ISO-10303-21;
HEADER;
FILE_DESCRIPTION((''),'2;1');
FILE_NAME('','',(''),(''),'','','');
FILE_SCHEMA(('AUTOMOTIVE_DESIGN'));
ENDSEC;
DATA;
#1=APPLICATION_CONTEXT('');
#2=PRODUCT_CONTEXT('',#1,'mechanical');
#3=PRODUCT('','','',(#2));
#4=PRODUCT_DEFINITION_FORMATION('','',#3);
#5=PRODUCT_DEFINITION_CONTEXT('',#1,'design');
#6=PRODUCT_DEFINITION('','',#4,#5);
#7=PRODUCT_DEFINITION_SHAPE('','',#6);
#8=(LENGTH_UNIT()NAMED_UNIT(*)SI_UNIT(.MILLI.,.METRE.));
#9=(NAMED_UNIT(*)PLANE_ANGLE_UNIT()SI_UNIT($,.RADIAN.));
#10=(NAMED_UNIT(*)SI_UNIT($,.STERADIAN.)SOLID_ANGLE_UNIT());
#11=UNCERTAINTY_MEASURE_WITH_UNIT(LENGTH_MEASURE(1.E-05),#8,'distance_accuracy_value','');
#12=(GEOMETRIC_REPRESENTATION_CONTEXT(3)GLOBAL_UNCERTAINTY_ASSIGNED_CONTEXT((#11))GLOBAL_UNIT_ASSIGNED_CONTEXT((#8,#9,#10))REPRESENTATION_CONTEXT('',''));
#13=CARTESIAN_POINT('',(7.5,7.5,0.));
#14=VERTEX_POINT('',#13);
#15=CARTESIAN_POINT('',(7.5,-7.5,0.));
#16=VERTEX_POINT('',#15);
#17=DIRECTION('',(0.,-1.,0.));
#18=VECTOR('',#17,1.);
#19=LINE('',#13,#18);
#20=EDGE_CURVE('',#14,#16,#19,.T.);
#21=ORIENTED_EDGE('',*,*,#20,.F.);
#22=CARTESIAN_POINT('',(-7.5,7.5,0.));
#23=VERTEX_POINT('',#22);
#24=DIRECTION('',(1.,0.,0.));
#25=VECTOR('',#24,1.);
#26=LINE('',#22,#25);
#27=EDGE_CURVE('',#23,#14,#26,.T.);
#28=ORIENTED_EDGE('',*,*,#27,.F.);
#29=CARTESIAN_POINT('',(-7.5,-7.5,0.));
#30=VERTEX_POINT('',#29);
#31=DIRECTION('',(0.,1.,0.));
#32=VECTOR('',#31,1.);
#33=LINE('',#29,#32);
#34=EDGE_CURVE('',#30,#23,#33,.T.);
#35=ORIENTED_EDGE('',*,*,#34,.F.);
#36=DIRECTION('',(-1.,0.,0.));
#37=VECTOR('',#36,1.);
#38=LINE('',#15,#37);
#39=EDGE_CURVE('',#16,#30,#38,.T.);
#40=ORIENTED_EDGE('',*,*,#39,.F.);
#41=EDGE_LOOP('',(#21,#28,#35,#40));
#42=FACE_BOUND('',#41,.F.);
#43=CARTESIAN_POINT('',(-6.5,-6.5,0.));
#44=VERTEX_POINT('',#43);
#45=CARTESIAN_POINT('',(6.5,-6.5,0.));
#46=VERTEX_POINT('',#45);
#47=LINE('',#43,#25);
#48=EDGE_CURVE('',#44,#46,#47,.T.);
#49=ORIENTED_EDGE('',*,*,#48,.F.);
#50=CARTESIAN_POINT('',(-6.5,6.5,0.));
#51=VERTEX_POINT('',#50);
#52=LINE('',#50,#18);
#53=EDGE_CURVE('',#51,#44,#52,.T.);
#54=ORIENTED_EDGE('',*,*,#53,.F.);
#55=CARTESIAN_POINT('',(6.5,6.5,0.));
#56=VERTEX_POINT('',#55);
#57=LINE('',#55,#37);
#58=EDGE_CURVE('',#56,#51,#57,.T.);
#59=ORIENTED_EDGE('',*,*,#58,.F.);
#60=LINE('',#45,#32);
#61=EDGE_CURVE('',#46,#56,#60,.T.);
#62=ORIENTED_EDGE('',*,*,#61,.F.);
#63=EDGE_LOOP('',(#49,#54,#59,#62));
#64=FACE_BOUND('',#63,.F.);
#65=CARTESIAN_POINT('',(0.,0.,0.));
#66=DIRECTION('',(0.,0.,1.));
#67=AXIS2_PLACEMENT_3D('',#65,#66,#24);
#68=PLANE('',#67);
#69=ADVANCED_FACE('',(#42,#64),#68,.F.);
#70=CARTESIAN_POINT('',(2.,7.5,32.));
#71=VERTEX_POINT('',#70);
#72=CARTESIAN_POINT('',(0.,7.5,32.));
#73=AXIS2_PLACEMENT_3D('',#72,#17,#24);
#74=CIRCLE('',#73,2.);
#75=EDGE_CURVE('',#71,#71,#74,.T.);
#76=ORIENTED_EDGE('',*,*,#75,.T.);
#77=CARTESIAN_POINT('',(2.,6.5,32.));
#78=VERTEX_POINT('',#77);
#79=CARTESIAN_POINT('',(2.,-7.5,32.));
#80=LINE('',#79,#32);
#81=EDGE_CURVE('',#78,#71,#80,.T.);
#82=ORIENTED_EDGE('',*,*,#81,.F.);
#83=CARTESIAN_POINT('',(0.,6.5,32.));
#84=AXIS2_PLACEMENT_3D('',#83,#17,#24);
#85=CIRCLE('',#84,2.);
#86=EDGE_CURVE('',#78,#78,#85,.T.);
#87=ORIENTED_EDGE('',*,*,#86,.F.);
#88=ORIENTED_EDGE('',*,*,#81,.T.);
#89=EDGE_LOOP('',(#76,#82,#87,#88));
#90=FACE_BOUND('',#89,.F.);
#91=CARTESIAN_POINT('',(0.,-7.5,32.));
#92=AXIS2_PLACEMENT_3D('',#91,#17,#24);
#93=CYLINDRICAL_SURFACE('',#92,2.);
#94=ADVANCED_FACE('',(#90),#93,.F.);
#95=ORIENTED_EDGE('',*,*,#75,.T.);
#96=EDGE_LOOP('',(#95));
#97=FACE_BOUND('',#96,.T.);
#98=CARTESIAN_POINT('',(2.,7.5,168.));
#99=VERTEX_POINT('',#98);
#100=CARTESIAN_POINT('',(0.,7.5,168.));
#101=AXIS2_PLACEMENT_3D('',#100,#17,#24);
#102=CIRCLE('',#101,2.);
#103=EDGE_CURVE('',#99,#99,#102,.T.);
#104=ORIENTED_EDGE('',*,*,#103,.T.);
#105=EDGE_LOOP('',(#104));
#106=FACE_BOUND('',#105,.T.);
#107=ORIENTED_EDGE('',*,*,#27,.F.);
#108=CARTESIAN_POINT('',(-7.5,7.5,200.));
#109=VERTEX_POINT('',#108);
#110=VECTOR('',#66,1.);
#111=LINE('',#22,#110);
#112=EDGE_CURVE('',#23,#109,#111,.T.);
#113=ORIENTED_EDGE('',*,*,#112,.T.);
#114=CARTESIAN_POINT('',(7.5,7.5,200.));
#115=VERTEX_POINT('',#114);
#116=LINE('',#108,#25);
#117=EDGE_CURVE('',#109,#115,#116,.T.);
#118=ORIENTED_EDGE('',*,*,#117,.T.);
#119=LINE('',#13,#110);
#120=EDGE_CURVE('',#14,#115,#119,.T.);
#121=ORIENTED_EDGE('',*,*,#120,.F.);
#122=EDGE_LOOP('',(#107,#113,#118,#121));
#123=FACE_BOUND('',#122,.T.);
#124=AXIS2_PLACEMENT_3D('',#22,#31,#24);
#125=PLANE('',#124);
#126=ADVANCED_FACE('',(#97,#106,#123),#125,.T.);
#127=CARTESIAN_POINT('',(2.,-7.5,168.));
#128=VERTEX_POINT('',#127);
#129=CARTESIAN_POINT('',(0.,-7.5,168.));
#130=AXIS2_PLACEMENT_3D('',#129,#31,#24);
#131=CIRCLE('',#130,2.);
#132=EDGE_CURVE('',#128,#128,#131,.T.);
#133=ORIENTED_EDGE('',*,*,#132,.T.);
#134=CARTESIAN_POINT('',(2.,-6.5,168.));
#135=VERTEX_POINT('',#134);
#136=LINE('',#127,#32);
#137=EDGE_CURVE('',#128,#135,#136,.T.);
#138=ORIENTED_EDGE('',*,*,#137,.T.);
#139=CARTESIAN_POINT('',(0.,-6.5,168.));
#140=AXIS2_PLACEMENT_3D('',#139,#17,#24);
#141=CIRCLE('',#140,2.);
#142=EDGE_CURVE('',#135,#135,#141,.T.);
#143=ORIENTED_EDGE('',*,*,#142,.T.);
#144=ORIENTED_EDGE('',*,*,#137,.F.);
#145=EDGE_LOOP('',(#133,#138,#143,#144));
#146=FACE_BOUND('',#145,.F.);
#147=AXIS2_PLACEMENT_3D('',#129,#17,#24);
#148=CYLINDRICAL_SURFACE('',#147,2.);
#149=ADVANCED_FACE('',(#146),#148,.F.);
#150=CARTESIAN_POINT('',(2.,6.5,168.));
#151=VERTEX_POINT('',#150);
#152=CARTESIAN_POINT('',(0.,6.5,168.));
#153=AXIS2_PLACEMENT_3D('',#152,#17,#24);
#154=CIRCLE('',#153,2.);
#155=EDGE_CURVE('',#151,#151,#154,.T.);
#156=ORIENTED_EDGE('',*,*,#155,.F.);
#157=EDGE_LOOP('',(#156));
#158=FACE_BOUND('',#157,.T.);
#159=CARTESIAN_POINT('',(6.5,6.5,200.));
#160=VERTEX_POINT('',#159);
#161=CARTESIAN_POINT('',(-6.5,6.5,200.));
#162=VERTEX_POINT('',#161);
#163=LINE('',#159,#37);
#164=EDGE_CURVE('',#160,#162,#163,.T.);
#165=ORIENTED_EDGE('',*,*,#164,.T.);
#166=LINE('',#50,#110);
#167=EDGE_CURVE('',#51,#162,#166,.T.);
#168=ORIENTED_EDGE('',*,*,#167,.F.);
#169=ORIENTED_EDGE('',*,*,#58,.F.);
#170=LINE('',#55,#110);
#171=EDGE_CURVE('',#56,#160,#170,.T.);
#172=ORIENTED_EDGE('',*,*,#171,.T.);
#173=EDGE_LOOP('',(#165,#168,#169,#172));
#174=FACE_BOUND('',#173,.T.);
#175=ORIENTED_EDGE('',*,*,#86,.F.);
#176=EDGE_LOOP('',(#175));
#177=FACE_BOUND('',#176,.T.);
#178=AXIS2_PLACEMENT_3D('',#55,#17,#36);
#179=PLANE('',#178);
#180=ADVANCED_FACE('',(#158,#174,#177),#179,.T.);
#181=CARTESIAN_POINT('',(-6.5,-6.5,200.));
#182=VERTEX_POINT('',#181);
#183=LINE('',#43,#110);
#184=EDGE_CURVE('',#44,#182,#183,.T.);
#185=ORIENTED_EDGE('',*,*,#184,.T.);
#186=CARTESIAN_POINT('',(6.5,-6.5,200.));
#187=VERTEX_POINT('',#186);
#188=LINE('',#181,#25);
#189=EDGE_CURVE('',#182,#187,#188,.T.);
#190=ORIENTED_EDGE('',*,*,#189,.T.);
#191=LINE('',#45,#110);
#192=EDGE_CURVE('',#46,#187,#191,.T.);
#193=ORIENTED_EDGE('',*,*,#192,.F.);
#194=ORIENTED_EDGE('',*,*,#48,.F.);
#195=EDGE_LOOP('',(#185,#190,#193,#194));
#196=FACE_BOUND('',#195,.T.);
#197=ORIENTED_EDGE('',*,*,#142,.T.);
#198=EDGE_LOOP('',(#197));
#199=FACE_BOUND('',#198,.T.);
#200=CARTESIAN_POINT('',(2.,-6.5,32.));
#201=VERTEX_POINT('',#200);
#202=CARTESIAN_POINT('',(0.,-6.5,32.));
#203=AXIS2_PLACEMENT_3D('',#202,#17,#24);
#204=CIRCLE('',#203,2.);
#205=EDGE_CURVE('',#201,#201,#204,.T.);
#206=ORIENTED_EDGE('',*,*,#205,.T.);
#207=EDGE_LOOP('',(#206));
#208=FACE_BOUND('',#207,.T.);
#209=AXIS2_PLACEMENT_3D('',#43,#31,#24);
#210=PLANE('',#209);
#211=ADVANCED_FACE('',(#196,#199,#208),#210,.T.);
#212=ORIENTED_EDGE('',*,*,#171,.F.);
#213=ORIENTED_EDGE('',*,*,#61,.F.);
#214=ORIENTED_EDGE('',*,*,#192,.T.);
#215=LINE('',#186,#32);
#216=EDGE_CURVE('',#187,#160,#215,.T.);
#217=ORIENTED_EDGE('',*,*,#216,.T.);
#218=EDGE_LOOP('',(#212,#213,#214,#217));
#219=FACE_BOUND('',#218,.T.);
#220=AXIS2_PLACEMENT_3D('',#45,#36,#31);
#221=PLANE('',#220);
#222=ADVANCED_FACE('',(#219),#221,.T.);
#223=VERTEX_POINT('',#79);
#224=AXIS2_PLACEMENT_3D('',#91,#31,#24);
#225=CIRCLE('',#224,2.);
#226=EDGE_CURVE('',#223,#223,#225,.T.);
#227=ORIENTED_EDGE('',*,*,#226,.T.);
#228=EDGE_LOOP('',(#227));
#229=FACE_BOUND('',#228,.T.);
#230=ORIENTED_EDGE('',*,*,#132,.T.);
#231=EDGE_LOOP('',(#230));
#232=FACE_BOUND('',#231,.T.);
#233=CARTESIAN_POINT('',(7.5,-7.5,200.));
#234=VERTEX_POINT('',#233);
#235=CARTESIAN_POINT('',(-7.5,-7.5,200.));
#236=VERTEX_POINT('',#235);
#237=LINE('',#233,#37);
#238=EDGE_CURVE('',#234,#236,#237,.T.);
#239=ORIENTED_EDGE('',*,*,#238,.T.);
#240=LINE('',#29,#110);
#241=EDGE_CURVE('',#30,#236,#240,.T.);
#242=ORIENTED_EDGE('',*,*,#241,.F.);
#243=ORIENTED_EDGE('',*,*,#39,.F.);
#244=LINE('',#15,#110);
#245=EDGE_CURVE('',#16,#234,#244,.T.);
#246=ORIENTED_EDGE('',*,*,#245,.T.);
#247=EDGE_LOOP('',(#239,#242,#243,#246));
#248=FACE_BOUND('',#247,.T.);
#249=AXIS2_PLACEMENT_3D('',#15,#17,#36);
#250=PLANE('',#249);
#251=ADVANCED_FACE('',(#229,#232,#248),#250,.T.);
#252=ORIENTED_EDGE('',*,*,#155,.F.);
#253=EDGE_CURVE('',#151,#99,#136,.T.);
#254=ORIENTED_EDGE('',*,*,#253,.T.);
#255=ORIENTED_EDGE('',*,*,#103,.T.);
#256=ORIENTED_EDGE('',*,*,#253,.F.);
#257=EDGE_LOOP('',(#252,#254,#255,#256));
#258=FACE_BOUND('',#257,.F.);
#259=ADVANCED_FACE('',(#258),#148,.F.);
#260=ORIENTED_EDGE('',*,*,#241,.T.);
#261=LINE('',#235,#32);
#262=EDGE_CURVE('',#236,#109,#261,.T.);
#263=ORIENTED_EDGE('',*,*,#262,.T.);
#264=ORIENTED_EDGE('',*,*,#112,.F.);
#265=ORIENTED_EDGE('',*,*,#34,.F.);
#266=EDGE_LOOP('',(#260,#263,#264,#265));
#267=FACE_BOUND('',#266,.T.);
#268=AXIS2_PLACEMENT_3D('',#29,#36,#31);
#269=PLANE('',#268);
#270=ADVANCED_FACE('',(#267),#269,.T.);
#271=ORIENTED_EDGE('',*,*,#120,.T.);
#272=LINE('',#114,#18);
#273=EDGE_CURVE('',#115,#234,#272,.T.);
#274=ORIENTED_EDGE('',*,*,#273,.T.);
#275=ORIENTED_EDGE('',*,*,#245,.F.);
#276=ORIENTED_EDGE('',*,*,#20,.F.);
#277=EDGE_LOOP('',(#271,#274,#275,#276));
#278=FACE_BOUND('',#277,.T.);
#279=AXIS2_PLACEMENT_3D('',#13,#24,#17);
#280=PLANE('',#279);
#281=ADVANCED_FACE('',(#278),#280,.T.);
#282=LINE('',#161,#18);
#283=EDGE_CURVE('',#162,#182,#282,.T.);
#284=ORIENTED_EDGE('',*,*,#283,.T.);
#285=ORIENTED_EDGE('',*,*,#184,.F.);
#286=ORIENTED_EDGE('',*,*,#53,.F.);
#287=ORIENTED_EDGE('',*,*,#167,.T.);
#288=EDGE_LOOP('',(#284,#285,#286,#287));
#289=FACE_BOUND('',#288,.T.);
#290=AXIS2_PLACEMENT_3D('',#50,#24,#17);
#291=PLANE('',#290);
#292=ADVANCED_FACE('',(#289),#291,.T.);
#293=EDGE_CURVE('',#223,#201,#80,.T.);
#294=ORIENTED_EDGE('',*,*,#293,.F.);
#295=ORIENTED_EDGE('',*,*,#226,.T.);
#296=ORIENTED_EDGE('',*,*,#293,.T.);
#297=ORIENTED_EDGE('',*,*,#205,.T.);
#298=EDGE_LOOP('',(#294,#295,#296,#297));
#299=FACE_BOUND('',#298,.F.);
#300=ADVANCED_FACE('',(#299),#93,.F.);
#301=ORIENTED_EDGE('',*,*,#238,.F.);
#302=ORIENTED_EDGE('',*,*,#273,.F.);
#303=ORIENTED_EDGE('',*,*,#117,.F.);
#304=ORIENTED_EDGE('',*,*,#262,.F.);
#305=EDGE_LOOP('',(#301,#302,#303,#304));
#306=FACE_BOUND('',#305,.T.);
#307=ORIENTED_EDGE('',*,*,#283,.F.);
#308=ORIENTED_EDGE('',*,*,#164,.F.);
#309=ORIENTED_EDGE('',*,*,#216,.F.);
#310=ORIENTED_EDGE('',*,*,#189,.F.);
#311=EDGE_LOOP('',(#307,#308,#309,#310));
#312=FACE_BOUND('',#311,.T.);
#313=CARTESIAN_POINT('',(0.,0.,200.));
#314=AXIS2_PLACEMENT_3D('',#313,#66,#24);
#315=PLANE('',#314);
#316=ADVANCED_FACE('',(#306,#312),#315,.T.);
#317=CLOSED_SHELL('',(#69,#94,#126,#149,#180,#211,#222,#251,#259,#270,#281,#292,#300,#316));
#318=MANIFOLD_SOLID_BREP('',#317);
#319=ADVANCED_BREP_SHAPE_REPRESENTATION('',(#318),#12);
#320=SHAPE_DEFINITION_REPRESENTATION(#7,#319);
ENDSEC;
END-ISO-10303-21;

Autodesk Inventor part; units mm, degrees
ref_plane "YZ Plane" through (0, 0, 0) normal (1, 0, 0) x (0, 1, 0)
ref_plane "XZ Plane" through (0, 0, 0) normal (0, 1, 0) x (-1, 0, 0)
ref_plane "XY Plane" through (0, 0, 0) normal (0, 0, 1) x (1, 0, 0)
sketch "草图1" plane through (0, 0, 0) normal (0, 0, 1) x (1, 0, 0)
  line L0 (7.5, -7.5) -> (-7.5, -7.5)
  line L1 (-7.5, -7.5) -> (-7.5, 7.5)
  line L2 (-7.5, 7.5) -> (7.5, 7.5)
  line L3 (7.5, 7.5) -> (7.5, -7.5)
  line L4 (7.5, -7.5) -> (-7.5, 7.5) construction
  line L5 (-7.5, -7.5) -> (7.5, 7.5) construction
  line L6 (6.5, 6.5) -> (-6.5, 6.5)
  line L7 (-6.5, 6.5) -> (-6.5, -6.5)
  line L8 (-6.5, -6.5) -> (6.5, -6.5)
  line L9 (6.5, -6.5) -> (6.5, 6.5)
  point P0 (0, 0)
  dimension "d0" = 15
  dimension "d1" = 15
  dimension "d2" = 1
extrude "拉伸1" add sketch "草图1" along normal blind 200
sketch "草图2" plane through (-7.5, -7.5, 0) normal (0, -1, 0) x (1, 0, 0)
  line L0 (14, 200) -> (1, 200) projected
  line L1 (7.5, 200) -> (7.5, 0)
  line L2 (7.5, 100) -> (64.493, 100)
  circle A0 centre (7.5, 168) radius 2
  circle A1 centre (7.5, 32) radius 2
  dimension "d5" = 4
  dimension "d8" = 68
extrude "拉伸2" cut sketch "草图2" against normal blind 300
properties part number "15x152"
